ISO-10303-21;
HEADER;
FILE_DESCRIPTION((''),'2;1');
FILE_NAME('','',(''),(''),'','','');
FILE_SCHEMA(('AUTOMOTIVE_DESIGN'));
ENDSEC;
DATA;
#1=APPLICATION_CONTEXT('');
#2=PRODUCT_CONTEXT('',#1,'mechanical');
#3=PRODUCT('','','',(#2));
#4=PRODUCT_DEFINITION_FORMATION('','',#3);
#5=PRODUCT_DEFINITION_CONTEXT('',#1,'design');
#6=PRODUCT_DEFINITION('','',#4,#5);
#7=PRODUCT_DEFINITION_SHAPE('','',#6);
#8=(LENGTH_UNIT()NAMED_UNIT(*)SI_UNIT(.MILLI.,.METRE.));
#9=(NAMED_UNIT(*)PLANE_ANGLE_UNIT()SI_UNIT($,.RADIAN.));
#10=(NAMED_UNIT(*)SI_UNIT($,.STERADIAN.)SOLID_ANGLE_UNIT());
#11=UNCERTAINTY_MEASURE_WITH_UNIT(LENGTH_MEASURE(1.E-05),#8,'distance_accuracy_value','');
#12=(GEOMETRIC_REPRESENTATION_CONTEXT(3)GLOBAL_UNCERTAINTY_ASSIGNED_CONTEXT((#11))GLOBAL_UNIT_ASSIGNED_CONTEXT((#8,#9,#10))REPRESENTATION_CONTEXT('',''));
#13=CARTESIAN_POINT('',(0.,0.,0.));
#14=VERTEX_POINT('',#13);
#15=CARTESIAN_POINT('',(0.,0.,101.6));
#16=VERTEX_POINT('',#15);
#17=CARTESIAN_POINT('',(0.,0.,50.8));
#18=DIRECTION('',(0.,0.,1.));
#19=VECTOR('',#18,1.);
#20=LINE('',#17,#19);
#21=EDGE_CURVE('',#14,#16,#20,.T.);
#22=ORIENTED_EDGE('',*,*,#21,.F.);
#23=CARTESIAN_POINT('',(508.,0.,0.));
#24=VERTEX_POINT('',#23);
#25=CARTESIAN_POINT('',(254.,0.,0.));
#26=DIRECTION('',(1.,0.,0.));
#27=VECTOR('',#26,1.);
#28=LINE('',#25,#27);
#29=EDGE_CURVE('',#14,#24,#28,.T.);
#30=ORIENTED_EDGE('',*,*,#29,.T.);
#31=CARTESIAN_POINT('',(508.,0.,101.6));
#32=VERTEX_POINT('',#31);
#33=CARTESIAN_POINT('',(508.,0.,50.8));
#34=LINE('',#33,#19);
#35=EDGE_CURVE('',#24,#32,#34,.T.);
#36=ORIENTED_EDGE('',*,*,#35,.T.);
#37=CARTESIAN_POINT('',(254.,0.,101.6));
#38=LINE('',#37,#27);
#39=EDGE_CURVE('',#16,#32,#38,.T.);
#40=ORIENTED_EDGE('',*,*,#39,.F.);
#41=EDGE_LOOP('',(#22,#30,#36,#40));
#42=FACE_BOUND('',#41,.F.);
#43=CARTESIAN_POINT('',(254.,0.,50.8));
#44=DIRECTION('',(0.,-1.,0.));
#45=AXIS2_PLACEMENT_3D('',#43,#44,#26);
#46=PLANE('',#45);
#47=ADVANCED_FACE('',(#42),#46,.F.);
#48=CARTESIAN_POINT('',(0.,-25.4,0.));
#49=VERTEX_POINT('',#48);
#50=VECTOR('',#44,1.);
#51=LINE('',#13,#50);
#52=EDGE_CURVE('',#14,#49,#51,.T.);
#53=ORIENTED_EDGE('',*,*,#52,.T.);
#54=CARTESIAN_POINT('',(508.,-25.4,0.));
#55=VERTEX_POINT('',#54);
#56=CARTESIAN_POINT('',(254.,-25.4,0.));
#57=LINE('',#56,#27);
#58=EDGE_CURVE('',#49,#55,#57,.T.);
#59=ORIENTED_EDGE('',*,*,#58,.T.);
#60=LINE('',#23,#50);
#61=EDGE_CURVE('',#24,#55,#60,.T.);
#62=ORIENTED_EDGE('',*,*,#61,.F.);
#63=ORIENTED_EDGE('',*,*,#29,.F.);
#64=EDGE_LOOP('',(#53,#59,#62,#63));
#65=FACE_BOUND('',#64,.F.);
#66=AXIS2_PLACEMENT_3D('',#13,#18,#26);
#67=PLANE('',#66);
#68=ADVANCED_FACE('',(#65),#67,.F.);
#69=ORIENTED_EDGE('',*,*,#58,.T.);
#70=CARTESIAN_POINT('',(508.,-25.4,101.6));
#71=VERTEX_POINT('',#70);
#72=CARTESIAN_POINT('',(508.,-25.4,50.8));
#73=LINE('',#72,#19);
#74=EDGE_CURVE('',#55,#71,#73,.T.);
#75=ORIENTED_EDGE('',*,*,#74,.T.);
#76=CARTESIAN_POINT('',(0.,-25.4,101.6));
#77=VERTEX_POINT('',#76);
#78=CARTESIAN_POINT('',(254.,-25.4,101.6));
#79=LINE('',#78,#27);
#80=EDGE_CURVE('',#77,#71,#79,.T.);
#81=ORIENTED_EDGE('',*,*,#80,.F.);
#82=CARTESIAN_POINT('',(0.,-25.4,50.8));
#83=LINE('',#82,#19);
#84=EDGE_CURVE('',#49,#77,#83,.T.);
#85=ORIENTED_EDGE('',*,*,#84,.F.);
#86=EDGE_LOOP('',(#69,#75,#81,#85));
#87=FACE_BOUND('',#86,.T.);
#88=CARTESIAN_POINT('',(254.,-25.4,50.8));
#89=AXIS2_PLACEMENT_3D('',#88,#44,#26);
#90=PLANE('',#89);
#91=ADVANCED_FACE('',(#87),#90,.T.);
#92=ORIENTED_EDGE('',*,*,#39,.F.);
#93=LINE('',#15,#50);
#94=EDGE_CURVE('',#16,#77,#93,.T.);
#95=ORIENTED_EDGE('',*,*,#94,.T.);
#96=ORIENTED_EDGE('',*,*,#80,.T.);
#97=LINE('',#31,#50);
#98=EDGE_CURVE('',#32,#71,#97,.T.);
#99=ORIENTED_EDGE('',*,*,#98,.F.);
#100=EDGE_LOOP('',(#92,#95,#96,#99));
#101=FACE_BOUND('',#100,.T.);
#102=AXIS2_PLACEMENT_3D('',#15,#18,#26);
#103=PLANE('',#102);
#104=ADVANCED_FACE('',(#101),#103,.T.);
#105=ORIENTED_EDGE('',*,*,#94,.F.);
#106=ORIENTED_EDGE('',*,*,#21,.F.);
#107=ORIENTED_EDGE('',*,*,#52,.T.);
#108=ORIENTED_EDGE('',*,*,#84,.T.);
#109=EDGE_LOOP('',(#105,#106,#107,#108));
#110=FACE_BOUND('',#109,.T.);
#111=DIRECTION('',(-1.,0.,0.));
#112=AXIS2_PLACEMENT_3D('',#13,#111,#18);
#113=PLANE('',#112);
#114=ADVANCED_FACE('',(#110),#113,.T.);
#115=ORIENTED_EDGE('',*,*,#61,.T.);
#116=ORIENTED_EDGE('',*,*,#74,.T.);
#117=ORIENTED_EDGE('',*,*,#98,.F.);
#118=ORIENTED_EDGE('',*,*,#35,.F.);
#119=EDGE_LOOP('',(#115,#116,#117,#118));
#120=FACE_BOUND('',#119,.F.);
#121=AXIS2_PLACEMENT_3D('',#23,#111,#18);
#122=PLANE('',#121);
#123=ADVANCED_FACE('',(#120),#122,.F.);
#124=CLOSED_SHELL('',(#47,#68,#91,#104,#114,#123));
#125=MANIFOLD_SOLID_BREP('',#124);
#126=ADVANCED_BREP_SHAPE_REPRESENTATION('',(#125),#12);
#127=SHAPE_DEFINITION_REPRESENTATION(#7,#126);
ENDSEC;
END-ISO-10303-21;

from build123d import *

# Parameters (mm, degrees)
F0_W     = 508
F0_H     = 101.6
F1_DEPTH = 25.4
F3_DEPTH = 25.4


with BuildPart() as f1:
    # F0 (on Front) → F1 (new body)
    with BuildSketch(Plane.XZ):
        with Locations((254, 50.8)):
            Rectangle(F0_W, F0_H)
    extrude(amount=F1_DEPTH)

    # F2 (on face) → F3 (cut)
    with BuildSketch(Plane.YZ.offset(508)):
        Polygon((-25.4, 0), (0, 101.6), (-25.4, 101.6), align=None)
    extrude(amount=F3_DEPTH, mode=Mode.SUBTRACT)


solid = f1.part
